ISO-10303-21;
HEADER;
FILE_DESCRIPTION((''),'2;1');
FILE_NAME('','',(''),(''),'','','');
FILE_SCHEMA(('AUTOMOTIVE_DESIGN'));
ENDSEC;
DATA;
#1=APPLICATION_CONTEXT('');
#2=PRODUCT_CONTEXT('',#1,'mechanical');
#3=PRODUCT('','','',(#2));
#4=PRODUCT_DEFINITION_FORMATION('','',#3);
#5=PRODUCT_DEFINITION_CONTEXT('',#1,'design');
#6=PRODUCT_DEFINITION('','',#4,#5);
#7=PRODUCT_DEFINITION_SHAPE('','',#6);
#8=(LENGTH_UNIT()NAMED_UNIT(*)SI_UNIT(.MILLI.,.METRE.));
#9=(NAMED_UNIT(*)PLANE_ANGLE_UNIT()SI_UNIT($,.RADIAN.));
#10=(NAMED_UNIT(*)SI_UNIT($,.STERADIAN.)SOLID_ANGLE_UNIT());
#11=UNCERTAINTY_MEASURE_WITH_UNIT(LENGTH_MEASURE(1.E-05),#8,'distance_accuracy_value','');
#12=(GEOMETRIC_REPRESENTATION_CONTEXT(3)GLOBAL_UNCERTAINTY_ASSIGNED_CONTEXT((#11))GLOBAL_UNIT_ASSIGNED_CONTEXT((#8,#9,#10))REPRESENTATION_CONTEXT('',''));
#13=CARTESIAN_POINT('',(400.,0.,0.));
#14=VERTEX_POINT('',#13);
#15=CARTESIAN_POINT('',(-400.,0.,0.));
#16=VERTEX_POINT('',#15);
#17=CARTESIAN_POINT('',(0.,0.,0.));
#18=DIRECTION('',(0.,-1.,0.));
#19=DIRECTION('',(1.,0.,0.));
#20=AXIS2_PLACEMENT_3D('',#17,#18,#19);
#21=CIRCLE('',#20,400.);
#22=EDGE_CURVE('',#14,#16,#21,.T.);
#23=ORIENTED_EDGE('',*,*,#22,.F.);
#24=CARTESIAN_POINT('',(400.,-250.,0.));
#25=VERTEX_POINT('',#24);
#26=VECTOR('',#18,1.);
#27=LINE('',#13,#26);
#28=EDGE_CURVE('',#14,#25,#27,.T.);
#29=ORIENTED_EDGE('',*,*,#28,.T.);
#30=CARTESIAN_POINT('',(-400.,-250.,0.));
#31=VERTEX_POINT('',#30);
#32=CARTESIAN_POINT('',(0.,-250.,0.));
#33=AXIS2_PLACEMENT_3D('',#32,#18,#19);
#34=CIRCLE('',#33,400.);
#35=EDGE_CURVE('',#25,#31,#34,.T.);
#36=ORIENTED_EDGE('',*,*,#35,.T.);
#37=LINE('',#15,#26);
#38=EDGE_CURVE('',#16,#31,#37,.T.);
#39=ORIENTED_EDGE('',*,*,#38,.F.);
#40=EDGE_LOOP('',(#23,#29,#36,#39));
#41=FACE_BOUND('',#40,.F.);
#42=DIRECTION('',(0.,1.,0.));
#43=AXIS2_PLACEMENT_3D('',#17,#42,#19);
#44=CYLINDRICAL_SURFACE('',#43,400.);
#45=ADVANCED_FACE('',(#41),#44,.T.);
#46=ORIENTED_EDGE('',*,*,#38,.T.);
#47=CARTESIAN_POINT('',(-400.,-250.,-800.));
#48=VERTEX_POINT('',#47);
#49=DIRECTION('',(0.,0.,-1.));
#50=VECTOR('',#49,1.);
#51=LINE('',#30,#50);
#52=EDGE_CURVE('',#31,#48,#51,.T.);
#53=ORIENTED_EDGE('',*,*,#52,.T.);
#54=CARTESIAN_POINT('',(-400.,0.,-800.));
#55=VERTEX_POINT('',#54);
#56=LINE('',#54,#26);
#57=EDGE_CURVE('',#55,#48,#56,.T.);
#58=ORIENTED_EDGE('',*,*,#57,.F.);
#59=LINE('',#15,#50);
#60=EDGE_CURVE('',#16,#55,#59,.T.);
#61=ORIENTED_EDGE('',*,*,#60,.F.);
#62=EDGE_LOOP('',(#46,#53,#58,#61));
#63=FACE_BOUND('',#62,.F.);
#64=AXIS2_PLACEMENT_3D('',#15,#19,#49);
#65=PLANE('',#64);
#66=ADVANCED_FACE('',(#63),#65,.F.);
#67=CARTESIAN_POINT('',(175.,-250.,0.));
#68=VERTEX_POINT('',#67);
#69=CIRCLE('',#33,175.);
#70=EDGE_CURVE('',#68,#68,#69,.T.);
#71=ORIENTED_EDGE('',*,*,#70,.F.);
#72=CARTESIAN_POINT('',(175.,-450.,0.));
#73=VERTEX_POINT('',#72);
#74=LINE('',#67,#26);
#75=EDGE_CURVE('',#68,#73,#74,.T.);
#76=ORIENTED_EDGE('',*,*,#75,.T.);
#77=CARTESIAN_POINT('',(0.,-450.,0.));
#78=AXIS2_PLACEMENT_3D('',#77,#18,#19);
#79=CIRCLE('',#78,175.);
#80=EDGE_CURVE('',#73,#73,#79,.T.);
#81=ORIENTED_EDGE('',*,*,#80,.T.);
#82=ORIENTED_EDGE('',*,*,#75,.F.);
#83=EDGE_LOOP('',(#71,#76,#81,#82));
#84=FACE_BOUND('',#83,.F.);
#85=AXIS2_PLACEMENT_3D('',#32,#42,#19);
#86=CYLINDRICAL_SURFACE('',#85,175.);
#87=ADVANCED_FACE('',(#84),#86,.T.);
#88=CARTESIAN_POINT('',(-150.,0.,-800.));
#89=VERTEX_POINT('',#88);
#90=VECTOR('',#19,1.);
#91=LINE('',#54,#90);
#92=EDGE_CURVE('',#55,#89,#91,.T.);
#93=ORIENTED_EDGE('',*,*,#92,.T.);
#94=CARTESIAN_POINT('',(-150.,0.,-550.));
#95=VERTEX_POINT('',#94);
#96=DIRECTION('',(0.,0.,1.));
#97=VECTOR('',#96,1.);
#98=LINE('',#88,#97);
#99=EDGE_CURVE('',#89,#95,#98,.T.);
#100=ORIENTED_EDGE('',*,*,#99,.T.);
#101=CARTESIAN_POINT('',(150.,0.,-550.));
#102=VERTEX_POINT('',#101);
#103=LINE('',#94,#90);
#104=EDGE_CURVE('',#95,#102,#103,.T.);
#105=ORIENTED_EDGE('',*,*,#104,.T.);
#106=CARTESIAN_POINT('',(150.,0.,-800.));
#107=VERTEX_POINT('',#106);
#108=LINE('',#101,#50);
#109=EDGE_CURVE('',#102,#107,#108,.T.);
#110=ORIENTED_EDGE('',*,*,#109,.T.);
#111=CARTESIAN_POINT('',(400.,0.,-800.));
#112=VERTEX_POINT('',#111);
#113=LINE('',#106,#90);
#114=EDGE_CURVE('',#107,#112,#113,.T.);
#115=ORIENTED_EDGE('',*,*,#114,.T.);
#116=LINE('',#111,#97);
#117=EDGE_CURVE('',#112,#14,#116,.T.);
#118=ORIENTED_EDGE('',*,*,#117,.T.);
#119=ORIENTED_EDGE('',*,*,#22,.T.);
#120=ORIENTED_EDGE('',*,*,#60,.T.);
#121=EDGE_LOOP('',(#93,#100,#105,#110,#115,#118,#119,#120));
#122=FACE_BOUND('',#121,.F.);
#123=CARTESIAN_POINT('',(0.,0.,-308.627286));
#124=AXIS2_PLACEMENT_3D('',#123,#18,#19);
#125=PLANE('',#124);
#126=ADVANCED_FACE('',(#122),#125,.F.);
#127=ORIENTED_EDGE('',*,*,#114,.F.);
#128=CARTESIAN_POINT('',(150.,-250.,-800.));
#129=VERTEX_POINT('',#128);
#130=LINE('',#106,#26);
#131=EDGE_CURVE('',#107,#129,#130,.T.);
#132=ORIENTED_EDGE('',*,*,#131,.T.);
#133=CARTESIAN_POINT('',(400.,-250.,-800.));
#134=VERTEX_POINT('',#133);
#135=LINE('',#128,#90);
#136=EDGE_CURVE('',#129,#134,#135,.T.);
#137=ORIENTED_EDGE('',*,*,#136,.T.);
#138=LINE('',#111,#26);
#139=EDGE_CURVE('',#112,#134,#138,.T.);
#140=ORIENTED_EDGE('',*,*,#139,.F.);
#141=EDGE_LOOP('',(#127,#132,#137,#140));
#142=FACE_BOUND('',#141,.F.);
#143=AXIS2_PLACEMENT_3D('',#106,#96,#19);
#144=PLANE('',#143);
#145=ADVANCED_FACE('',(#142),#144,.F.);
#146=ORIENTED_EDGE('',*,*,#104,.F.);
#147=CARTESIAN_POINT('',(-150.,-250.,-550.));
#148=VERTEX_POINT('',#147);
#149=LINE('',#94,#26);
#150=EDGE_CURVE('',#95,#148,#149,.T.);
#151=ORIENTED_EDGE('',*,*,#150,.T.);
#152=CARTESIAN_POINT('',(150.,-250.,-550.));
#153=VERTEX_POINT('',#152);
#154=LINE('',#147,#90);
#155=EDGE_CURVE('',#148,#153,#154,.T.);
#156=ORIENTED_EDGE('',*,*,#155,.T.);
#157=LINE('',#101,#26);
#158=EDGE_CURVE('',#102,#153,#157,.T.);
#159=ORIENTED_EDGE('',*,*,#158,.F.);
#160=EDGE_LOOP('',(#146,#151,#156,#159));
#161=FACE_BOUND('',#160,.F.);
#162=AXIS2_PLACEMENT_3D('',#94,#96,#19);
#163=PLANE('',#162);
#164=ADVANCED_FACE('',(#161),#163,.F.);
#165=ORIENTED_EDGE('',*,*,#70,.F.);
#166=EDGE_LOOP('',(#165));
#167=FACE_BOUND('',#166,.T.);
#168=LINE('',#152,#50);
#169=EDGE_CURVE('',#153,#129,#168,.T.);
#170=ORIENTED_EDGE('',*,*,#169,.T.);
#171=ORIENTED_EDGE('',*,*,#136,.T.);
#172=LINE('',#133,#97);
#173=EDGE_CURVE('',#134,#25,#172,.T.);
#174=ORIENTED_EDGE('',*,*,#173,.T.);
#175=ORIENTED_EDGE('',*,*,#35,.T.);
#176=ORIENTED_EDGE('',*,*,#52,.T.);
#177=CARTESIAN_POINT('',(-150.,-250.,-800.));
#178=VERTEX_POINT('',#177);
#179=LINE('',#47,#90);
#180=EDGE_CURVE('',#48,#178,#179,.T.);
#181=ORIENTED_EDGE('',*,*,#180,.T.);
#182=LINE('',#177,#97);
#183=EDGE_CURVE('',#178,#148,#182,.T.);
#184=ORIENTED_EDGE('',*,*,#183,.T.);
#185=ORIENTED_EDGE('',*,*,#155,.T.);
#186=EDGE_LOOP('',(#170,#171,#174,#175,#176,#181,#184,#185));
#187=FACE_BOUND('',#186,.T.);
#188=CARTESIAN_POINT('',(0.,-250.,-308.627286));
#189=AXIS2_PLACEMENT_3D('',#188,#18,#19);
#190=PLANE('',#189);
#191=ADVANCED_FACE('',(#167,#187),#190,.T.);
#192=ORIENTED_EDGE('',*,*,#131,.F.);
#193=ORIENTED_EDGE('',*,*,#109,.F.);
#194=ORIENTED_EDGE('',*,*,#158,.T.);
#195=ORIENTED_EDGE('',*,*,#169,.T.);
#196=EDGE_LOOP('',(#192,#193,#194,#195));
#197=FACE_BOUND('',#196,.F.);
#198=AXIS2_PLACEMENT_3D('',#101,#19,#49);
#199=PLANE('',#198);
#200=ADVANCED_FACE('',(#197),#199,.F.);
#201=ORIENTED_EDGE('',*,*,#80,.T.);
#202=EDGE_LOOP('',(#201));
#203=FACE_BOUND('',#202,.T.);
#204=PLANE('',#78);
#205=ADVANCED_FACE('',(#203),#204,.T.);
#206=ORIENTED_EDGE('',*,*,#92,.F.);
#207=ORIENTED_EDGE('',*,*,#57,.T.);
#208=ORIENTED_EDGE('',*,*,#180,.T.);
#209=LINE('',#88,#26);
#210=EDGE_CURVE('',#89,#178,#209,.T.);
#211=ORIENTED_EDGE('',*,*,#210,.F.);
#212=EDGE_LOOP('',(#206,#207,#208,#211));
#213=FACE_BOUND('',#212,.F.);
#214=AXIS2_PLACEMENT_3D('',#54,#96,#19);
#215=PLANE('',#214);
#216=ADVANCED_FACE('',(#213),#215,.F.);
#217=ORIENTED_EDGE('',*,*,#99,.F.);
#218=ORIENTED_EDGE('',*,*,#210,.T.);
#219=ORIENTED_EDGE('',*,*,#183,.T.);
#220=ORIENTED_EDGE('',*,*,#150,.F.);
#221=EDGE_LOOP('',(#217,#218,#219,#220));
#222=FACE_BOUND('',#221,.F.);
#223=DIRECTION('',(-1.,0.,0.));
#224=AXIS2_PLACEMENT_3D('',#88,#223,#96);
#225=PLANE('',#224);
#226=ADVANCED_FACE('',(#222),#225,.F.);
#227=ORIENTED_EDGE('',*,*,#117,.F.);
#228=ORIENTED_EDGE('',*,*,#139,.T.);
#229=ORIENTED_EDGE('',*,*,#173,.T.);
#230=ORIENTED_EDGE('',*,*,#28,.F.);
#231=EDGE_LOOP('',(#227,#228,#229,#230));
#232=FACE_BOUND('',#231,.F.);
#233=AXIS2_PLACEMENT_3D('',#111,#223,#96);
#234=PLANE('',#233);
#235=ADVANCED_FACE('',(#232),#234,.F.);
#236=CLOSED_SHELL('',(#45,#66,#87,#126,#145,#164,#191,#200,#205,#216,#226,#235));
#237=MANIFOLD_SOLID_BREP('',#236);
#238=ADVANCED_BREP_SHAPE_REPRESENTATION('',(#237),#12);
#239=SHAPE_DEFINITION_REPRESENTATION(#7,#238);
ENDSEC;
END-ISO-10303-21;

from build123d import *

# Parameters (mm, degrees)
F1_DEPTH = 250
F2_R     = 175
F3_DEPTH = 200


with BuildPart() as f1:
    # F0 (on Front) → F1 (new body)
    with BuildSketch(Plane.XZ):
        with BuildLine():
            Line((400, -800), (400, 0))
            ThreePointArc((400, 0), (0, 400), (-400, 0))
            Line((-400, 0), (-400, -800))
            Line((-400, -800), (-150, -800))
            Line((-150, -800), (-150, -550))
            Line((-150, -550), (150, -550))
            Line((150, -550), (150, -800))
            Line((150, -800), (400, -800))
        make_face()
    extrude(amount=F1_DEPTH)

    # F2 (on face) → F3 (join)
    with BuildSketch(Plane.XZ.offset(250)):
        Circle(F2_R)
    extrude(amount=F3_DEPTH)


solid = f1.part
